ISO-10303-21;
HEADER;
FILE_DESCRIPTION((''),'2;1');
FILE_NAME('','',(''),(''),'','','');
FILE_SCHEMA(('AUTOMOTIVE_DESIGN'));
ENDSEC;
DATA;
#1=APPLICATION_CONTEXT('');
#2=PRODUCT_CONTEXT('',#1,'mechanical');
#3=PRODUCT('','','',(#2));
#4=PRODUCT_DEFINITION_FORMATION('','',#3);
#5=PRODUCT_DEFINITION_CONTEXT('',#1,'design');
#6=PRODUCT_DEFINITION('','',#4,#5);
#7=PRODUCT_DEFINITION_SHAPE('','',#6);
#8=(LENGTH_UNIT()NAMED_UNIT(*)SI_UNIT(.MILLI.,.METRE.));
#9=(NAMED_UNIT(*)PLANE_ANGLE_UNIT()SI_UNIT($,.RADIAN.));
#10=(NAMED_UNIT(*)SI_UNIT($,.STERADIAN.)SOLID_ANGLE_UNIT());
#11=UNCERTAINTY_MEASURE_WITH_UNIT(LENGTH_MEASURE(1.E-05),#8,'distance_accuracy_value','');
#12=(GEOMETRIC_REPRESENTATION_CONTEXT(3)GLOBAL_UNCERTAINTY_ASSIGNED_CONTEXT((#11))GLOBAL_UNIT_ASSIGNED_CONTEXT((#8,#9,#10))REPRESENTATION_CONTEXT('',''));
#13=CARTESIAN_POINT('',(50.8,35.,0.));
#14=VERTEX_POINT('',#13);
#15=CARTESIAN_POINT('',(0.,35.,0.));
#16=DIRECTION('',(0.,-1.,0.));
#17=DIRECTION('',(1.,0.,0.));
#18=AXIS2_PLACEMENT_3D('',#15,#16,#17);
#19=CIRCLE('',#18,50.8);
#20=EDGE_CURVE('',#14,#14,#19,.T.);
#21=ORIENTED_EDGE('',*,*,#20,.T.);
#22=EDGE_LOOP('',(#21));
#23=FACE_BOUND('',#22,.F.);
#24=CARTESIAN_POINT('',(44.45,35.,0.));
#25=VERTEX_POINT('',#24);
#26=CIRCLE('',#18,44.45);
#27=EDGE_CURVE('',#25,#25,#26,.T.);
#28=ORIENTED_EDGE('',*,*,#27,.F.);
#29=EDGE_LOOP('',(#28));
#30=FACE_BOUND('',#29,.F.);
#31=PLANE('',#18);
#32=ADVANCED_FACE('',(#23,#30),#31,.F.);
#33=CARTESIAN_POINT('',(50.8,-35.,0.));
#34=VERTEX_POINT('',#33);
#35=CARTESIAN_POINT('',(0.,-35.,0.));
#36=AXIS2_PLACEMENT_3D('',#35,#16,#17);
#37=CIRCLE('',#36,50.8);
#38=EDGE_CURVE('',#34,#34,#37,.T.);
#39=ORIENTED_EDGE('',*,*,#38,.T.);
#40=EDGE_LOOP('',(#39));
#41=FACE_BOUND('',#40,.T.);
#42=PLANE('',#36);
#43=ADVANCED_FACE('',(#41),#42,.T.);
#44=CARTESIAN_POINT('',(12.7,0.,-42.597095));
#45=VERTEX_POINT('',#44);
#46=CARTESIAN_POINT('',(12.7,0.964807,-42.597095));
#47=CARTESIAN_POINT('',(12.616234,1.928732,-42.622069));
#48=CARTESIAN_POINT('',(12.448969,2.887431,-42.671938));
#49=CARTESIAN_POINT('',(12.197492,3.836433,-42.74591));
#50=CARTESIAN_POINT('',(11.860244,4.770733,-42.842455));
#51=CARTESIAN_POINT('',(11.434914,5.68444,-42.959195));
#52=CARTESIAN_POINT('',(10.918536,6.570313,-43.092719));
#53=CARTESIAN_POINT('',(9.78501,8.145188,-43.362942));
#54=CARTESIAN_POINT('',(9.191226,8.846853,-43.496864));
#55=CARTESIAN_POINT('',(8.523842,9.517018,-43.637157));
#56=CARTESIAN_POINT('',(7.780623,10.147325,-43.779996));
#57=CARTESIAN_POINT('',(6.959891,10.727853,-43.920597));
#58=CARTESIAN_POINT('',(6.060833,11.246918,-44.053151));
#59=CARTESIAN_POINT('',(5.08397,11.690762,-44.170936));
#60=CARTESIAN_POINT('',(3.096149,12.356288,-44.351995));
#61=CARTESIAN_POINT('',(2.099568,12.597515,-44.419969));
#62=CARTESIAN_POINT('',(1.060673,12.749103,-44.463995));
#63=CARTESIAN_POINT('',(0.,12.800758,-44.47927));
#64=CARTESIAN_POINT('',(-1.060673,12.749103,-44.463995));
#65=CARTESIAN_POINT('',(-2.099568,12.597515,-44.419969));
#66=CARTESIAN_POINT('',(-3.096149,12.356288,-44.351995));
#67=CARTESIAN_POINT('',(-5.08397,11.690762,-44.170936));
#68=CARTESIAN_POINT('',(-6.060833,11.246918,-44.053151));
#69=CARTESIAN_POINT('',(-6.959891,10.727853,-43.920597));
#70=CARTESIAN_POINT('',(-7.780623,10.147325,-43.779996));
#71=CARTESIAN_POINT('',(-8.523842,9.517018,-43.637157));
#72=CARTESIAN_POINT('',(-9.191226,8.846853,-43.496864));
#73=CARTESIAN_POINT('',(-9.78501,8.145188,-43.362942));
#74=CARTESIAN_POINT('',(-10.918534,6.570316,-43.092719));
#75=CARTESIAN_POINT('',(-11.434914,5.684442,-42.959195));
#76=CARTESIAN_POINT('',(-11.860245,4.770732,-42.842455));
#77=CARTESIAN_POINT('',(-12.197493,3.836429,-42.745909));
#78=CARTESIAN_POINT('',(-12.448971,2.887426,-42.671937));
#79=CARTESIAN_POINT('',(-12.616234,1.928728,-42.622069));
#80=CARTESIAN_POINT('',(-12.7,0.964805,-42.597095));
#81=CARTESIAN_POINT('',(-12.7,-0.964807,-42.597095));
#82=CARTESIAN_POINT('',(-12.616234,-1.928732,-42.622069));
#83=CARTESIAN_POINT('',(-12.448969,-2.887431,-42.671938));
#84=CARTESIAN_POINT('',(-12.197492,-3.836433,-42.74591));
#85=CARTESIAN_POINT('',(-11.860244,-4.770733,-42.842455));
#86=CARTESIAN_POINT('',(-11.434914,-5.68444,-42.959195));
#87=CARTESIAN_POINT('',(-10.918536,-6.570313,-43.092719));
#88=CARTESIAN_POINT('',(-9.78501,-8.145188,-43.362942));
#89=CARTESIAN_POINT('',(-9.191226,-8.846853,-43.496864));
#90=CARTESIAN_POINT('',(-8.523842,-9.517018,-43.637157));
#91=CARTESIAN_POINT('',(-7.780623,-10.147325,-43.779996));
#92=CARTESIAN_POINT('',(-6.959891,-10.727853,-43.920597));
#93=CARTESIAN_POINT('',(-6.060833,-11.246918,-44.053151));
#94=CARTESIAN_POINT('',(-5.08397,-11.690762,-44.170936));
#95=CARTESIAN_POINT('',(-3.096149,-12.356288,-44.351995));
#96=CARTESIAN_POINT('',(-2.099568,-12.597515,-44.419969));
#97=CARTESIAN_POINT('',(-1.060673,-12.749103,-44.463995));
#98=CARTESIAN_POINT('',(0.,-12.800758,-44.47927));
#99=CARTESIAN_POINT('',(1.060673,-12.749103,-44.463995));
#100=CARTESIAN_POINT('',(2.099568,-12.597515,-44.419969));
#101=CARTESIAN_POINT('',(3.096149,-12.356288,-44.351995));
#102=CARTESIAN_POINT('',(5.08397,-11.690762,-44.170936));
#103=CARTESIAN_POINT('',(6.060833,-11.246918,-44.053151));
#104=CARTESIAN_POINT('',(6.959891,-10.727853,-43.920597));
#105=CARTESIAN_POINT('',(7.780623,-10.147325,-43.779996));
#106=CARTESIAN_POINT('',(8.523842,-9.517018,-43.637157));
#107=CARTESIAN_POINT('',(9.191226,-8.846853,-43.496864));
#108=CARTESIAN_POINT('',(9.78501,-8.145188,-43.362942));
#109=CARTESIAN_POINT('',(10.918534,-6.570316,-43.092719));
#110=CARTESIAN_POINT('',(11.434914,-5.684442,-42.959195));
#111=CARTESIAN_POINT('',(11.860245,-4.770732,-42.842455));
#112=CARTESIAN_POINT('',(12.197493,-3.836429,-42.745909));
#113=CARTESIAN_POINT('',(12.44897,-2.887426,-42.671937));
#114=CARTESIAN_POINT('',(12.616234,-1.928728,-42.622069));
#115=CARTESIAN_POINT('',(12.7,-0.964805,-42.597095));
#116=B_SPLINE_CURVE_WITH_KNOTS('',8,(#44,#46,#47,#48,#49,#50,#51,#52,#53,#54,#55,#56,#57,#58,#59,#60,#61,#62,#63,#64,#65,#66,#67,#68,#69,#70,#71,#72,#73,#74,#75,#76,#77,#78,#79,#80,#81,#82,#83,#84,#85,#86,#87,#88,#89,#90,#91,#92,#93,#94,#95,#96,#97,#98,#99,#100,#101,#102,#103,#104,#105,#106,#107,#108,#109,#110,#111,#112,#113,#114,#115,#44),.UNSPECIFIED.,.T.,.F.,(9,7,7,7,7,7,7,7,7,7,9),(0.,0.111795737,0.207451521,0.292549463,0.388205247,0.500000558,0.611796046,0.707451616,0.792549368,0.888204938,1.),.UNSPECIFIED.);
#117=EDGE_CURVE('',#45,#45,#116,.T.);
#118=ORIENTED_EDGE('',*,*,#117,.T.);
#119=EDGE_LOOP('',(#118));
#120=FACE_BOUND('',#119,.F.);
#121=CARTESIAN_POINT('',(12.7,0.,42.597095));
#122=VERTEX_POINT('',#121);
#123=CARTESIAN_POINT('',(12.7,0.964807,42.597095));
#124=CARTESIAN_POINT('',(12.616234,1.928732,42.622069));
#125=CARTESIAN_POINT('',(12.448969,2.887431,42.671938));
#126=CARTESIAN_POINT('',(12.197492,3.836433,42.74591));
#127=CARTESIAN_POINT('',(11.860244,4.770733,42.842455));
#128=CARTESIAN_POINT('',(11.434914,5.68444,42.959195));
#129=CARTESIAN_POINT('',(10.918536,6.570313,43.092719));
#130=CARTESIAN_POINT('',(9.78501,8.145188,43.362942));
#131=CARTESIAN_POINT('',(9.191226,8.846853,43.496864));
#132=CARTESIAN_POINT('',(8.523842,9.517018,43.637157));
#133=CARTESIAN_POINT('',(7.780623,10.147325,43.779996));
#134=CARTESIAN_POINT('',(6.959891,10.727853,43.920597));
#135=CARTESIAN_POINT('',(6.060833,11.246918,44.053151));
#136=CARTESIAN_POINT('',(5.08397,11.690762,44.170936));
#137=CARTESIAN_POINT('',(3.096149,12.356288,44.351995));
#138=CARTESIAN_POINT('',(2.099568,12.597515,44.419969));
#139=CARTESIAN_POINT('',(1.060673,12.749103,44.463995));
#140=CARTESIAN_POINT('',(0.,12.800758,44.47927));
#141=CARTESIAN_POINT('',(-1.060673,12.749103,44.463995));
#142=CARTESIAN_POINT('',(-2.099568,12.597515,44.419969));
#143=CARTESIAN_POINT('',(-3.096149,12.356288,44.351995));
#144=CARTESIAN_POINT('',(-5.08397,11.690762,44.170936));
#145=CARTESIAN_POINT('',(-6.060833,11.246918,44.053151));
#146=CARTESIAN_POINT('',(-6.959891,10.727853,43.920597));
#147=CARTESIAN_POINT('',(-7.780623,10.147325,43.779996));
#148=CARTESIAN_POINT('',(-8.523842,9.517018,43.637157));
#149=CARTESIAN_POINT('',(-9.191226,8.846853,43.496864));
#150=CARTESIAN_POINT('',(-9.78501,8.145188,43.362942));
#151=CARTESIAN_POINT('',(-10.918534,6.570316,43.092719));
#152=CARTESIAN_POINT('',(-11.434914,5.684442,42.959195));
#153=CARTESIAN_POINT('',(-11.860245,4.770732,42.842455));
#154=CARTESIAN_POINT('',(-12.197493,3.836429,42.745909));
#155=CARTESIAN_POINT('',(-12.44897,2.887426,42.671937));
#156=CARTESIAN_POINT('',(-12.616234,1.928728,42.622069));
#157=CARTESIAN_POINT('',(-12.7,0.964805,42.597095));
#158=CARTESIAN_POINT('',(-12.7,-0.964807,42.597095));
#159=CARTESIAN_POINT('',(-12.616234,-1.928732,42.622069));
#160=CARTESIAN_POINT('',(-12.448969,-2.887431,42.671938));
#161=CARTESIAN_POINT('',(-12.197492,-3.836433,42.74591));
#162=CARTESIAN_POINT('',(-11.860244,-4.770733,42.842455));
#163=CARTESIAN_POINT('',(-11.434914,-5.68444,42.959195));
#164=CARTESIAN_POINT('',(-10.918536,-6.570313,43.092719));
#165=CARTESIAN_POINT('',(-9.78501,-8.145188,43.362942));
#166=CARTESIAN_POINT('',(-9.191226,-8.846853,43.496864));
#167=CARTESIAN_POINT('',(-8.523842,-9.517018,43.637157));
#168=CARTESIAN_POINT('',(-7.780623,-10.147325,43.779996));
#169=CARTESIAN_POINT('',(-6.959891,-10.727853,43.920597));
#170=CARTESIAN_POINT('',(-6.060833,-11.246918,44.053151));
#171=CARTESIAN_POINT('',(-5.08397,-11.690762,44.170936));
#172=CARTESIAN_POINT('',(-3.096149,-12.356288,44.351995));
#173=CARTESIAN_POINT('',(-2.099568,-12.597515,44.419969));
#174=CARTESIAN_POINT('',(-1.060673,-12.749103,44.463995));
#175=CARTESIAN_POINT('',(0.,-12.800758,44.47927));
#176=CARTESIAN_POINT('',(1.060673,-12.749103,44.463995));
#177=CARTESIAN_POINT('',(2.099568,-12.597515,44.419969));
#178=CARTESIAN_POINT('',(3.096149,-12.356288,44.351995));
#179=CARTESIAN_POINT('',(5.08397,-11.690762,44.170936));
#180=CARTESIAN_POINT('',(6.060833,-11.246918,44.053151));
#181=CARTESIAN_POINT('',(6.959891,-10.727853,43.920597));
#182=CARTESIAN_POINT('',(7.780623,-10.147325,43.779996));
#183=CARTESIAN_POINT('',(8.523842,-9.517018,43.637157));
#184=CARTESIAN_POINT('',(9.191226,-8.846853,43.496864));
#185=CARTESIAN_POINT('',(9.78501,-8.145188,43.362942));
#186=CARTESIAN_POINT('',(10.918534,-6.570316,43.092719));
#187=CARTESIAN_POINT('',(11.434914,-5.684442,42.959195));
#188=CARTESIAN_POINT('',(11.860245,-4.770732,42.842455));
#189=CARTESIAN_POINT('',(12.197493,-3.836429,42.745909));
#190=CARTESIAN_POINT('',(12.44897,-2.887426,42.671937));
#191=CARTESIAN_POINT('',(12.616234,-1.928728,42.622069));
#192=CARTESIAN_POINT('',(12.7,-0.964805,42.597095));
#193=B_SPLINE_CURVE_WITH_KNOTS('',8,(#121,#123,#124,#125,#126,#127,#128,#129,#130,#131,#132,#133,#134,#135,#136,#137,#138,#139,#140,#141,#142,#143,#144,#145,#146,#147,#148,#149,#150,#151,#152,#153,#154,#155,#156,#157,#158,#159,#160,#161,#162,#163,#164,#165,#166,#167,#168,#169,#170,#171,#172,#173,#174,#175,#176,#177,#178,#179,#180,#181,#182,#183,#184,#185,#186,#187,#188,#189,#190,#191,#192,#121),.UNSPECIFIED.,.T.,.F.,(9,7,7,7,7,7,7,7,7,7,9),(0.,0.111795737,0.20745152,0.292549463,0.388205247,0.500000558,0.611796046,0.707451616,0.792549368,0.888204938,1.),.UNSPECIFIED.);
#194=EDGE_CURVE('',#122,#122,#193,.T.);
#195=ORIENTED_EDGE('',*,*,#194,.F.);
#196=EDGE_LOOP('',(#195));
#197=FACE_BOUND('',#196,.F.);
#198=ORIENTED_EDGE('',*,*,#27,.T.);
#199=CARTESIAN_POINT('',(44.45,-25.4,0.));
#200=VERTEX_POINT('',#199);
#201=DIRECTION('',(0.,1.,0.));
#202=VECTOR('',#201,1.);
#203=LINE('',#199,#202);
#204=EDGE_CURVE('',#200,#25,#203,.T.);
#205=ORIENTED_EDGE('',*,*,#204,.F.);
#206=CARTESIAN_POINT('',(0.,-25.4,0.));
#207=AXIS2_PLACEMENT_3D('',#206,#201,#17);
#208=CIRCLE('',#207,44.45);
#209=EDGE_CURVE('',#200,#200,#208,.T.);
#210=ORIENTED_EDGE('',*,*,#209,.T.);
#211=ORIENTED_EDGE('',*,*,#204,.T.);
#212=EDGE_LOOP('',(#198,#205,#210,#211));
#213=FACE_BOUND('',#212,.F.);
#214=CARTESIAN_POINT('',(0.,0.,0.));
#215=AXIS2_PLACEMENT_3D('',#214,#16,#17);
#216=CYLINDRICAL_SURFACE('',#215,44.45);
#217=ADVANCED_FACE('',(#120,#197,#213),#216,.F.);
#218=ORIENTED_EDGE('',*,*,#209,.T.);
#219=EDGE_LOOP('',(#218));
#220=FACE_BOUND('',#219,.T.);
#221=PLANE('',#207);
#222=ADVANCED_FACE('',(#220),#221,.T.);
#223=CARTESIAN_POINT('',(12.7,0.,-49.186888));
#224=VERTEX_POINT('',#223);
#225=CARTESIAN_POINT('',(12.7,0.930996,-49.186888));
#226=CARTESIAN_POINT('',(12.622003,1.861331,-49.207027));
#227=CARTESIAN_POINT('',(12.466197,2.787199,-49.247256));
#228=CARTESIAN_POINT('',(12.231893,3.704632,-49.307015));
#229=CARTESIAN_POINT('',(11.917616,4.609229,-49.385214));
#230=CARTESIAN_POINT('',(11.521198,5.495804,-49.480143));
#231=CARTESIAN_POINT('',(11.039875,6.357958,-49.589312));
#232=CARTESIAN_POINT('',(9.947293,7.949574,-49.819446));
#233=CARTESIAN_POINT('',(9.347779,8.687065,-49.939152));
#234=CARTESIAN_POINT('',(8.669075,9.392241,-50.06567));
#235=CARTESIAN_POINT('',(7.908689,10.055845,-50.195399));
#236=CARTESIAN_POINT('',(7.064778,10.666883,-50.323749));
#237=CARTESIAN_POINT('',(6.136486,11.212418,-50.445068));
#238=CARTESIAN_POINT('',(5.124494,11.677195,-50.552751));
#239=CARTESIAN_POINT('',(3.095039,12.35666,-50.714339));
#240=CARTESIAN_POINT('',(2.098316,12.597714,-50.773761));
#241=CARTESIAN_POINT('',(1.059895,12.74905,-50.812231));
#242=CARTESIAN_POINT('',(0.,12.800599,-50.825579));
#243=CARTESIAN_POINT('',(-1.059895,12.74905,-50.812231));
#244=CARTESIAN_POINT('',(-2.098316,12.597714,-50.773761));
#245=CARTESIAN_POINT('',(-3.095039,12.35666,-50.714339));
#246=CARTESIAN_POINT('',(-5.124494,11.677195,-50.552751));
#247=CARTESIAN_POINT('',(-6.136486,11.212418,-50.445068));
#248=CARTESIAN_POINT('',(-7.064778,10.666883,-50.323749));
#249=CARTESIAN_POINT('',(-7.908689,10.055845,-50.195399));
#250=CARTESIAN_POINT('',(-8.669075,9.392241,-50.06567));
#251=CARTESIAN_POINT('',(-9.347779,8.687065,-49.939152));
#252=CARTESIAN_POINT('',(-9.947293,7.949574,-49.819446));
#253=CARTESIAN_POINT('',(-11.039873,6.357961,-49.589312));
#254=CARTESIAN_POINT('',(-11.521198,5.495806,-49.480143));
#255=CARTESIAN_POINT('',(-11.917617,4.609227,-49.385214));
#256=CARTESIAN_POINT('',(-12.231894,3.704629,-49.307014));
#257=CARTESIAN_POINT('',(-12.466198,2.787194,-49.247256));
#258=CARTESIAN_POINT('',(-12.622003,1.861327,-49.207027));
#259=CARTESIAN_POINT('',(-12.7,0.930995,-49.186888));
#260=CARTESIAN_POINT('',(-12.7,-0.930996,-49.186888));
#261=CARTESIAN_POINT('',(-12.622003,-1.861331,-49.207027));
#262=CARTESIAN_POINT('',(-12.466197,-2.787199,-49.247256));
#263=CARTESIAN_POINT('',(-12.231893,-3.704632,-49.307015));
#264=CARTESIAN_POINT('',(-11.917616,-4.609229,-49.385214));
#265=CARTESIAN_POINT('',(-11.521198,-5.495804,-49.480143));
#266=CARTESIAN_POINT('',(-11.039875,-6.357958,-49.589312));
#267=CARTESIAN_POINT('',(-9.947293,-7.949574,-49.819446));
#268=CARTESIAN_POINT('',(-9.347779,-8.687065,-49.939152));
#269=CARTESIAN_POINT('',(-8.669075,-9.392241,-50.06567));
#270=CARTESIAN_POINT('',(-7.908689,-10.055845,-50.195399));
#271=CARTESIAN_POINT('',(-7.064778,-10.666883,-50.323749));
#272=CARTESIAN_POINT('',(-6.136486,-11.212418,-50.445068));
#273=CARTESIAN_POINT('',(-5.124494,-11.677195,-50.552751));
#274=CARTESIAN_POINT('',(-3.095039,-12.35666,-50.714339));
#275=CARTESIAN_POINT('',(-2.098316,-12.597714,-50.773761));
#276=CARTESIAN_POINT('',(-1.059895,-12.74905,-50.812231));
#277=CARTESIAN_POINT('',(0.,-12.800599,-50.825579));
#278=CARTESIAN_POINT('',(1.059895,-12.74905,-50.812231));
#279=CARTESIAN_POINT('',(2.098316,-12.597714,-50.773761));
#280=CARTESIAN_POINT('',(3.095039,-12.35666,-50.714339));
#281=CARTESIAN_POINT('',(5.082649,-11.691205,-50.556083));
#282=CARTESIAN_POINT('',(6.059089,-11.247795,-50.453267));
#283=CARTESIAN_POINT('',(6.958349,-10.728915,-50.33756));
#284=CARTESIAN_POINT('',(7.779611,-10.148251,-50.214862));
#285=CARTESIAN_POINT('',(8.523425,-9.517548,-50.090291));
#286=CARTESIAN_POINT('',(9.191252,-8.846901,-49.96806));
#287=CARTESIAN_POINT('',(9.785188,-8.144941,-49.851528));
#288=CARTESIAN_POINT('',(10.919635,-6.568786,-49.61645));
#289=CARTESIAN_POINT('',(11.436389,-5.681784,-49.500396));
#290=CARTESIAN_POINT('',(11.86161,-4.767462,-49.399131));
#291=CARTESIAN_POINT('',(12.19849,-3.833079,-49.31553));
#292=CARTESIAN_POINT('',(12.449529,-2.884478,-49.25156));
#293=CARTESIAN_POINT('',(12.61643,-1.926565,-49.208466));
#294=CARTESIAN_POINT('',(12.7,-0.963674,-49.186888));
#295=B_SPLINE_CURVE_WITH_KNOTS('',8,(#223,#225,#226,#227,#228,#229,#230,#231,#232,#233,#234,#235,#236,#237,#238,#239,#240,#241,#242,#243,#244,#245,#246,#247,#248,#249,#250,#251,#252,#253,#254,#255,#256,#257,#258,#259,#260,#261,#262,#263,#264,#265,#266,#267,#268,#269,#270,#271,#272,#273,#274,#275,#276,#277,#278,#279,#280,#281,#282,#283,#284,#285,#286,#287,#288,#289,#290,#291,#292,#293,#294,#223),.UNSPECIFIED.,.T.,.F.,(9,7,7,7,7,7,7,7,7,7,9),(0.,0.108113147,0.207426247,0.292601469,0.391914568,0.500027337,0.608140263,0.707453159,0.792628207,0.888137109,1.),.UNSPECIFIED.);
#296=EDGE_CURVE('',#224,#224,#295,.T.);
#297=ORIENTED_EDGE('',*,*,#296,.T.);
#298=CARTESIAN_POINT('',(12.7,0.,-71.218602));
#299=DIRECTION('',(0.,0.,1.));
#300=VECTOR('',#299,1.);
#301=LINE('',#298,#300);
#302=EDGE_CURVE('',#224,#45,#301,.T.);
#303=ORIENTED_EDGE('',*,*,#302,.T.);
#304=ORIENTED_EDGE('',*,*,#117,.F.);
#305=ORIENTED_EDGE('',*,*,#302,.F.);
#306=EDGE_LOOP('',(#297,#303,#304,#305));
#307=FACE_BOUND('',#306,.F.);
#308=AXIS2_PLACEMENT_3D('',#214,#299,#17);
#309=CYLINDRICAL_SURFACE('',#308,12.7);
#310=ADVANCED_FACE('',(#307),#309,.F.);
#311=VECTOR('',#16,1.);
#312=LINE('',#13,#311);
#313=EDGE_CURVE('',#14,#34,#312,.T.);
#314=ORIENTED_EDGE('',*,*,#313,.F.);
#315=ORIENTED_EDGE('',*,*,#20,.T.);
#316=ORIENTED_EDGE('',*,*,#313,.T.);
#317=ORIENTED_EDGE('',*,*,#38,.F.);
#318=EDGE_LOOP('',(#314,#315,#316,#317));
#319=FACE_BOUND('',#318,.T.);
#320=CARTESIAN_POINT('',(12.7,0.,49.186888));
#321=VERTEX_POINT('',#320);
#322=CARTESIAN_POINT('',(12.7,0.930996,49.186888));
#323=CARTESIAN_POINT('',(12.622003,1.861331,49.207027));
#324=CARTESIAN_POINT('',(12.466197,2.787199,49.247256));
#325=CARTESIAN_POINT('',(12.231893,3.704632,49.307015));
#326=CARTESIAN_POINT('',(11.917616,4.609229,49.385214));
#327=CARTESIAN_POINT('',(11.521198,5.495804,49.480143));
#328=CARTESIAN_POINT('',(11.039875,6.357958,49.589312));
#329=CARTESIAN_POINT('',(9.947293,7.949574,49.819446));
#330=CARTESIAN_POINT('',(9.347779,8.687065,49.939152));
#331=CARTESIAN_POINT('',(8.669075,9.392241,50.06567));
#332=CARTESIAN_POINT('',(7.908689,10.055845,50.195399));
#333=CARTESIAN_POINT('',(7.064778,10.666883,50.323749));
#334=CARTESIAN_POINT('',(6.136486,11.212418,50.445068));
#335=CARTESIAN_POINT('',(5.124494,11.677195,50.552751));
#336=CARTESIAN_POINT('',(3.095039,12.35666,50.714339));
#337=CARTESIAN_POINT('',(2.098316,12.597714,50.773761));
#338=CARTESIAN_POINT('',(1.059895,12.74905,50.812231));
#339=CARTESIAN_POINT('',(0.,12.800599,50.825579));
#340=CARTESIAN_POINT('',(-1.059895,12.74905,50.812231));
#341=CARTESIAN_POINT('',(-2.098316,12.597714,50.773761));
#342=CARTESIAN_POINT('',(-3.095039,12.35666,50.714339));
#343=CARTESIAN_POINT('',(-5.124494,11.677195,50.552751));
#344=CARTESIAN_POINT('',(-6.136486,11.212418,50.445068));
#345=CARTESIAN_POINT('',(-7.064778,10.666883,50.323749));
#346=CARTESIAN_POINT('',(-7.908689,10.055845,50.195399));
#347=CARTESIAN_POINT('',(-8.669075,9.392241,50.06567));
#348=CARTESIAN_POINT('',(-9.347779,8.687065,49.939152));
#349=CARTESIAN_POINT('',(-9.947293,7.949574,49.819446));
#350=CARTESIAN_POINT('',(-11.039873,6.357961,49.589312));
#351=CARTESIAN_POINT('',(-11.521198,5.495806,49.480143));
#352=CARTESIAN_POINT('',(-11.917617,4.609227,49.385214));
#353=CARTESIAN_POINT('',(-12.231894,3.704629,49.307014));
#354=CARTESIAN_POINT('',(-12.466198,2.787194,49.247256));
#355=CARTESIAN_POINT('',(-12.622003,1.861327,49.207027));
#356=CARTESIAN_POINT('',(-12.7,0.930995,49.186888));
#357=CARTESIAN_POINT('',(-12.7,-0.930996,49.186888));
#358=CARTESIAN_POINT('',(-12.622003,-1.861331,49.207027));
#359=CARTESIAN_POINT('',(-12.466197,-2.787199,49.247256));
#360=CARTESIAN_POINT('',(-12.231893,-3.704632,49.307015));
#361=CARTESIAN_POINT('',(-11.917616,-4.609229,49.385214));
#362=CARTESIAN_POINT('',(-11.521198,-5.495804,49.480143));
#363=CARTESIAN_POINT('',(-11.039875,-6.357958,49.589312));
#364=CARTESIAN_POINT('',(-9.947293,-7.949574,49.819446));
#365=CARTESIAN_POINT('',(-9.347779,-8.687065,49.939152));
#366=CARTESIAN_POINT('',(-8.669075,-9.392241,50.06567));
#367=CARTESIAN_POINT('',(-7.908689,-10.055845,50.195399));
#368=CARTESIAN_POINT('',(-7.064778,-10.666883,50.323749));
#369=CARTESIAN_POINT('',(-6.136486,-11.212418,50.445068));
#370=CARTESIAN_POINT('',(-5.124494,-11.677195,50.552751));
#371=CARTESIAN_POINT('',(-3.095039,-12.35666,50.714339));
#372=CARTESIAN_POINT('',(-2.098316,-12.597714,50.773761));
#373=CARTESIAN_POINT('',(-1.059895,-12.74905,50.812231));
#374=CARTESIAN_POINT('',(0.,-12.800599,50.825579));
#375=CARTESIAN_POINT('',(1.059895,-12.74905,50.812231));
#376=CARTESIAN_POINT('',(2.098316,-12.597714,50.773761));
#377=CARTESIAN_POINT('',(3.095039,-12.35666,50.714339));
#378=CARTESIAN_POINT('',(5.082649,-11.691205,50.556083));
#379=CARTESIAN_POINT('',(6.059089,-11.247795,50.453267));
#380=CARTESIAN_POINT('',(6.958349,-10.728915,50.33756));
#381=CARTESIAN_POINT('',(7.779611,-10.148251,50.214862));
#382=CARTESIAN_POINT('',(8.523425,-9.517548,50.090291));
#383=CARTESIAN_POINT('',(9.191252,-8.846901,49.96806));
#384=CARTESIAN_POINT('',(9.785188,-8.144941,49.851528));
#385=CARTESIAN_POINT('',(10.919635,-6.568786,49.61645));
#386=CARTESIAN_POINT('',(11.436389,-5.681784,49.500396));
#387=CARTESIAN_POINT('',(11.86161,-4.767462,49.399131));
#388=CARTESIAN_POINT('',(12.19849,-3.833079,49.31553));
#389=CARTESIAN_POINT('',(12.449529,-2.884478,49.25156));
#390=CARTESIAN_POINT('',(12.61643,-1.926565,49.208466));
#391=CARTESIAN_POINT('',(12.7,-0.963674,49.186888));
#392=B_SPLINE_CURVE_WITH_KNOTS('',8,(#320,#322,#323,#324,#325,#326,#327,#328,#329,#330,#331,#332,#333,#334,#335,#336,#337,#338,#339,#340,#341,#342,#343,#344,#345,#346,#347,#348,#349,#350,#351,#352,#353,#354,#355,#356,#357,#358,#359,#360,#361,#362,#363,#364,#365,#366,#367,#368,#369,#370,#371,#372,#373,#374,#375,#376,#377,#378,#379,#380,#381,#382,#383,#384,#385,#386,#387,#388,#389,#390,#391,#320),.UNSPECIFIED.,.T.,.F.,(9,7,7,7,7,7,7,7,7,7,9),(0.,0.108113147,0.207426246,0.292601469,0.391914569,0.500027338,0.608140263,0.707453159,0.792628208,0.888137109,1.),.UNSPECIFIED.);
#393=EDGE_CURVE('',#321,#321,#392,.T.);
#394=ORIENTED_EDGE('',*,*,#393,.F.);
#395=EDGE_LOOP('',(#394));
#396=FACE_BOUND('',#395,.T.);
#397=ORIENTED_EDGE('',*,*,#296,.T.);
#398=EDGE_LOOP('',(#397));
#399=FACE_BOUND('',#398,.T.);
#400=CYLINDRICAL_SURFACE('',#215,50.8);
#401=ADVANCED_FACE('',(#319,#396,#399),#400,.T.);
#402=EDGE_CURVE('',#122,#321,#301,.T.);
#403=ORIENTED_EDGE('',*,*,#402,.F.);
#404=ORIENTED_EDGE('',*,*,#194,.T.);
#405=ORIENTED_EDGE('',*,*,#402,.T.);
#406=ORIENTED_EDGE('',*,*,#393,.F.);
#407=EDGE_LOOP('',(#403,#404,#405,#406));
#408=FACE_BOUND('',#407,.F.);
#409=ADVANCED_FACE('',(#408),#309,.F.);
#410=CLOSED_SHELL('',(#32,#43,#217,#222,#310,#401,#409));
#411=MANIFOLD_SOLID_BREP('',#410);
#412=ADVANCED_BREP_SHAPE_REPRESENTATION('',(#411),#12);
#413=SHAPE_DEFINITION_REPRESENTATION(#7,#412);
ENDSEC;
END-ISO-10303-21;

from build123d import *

# Parameters (mm, degrees)
F0_R      = 50.8
F1_DEPTH  = 35
F2_R      = 44.45
F3_DEPTH  = 82.563922
F3_FACE_R = 44.45
F4_DEPTH  = 25.4
F5_R      = 12.7
F6_DEPTH  = 71.218602


with BuildPart() as f1:
    # F0 (on Front) → F1 (new body, symmetric)
    with BuildSketch(Plane.XZ):
        Circle(F0_R)
    extrude(amount=F1_DEPTH, both=True)

    # F2 (on Front) → F3 (cut)
    with BuildSketch(Plane.XZ):
        Circle(F2_R)
    extrude(amount=-F3_DEPTH, mode=Mode.SUBTRACT)

    # F3_face (on face) → F4 (cut)
    with BuildSketch(Plane(origin=(0, 0, 0), x_dir=(1, 0, 0), z_dir=(0, 1, 0))):
        Circle(F3_FACE_R)
    extrude(amount=-F4_DEPTH, mode=Mode.SUBTRACT)

    # F5 (on Top) → F6 (cut, symmetric)
    with BuildSketch(Plane.XY):
        Circle(F5_R)
    extrude(amount=F6_DEPTH, both=True, mode=Mode.SUBTRACT)


solid = f1.part
